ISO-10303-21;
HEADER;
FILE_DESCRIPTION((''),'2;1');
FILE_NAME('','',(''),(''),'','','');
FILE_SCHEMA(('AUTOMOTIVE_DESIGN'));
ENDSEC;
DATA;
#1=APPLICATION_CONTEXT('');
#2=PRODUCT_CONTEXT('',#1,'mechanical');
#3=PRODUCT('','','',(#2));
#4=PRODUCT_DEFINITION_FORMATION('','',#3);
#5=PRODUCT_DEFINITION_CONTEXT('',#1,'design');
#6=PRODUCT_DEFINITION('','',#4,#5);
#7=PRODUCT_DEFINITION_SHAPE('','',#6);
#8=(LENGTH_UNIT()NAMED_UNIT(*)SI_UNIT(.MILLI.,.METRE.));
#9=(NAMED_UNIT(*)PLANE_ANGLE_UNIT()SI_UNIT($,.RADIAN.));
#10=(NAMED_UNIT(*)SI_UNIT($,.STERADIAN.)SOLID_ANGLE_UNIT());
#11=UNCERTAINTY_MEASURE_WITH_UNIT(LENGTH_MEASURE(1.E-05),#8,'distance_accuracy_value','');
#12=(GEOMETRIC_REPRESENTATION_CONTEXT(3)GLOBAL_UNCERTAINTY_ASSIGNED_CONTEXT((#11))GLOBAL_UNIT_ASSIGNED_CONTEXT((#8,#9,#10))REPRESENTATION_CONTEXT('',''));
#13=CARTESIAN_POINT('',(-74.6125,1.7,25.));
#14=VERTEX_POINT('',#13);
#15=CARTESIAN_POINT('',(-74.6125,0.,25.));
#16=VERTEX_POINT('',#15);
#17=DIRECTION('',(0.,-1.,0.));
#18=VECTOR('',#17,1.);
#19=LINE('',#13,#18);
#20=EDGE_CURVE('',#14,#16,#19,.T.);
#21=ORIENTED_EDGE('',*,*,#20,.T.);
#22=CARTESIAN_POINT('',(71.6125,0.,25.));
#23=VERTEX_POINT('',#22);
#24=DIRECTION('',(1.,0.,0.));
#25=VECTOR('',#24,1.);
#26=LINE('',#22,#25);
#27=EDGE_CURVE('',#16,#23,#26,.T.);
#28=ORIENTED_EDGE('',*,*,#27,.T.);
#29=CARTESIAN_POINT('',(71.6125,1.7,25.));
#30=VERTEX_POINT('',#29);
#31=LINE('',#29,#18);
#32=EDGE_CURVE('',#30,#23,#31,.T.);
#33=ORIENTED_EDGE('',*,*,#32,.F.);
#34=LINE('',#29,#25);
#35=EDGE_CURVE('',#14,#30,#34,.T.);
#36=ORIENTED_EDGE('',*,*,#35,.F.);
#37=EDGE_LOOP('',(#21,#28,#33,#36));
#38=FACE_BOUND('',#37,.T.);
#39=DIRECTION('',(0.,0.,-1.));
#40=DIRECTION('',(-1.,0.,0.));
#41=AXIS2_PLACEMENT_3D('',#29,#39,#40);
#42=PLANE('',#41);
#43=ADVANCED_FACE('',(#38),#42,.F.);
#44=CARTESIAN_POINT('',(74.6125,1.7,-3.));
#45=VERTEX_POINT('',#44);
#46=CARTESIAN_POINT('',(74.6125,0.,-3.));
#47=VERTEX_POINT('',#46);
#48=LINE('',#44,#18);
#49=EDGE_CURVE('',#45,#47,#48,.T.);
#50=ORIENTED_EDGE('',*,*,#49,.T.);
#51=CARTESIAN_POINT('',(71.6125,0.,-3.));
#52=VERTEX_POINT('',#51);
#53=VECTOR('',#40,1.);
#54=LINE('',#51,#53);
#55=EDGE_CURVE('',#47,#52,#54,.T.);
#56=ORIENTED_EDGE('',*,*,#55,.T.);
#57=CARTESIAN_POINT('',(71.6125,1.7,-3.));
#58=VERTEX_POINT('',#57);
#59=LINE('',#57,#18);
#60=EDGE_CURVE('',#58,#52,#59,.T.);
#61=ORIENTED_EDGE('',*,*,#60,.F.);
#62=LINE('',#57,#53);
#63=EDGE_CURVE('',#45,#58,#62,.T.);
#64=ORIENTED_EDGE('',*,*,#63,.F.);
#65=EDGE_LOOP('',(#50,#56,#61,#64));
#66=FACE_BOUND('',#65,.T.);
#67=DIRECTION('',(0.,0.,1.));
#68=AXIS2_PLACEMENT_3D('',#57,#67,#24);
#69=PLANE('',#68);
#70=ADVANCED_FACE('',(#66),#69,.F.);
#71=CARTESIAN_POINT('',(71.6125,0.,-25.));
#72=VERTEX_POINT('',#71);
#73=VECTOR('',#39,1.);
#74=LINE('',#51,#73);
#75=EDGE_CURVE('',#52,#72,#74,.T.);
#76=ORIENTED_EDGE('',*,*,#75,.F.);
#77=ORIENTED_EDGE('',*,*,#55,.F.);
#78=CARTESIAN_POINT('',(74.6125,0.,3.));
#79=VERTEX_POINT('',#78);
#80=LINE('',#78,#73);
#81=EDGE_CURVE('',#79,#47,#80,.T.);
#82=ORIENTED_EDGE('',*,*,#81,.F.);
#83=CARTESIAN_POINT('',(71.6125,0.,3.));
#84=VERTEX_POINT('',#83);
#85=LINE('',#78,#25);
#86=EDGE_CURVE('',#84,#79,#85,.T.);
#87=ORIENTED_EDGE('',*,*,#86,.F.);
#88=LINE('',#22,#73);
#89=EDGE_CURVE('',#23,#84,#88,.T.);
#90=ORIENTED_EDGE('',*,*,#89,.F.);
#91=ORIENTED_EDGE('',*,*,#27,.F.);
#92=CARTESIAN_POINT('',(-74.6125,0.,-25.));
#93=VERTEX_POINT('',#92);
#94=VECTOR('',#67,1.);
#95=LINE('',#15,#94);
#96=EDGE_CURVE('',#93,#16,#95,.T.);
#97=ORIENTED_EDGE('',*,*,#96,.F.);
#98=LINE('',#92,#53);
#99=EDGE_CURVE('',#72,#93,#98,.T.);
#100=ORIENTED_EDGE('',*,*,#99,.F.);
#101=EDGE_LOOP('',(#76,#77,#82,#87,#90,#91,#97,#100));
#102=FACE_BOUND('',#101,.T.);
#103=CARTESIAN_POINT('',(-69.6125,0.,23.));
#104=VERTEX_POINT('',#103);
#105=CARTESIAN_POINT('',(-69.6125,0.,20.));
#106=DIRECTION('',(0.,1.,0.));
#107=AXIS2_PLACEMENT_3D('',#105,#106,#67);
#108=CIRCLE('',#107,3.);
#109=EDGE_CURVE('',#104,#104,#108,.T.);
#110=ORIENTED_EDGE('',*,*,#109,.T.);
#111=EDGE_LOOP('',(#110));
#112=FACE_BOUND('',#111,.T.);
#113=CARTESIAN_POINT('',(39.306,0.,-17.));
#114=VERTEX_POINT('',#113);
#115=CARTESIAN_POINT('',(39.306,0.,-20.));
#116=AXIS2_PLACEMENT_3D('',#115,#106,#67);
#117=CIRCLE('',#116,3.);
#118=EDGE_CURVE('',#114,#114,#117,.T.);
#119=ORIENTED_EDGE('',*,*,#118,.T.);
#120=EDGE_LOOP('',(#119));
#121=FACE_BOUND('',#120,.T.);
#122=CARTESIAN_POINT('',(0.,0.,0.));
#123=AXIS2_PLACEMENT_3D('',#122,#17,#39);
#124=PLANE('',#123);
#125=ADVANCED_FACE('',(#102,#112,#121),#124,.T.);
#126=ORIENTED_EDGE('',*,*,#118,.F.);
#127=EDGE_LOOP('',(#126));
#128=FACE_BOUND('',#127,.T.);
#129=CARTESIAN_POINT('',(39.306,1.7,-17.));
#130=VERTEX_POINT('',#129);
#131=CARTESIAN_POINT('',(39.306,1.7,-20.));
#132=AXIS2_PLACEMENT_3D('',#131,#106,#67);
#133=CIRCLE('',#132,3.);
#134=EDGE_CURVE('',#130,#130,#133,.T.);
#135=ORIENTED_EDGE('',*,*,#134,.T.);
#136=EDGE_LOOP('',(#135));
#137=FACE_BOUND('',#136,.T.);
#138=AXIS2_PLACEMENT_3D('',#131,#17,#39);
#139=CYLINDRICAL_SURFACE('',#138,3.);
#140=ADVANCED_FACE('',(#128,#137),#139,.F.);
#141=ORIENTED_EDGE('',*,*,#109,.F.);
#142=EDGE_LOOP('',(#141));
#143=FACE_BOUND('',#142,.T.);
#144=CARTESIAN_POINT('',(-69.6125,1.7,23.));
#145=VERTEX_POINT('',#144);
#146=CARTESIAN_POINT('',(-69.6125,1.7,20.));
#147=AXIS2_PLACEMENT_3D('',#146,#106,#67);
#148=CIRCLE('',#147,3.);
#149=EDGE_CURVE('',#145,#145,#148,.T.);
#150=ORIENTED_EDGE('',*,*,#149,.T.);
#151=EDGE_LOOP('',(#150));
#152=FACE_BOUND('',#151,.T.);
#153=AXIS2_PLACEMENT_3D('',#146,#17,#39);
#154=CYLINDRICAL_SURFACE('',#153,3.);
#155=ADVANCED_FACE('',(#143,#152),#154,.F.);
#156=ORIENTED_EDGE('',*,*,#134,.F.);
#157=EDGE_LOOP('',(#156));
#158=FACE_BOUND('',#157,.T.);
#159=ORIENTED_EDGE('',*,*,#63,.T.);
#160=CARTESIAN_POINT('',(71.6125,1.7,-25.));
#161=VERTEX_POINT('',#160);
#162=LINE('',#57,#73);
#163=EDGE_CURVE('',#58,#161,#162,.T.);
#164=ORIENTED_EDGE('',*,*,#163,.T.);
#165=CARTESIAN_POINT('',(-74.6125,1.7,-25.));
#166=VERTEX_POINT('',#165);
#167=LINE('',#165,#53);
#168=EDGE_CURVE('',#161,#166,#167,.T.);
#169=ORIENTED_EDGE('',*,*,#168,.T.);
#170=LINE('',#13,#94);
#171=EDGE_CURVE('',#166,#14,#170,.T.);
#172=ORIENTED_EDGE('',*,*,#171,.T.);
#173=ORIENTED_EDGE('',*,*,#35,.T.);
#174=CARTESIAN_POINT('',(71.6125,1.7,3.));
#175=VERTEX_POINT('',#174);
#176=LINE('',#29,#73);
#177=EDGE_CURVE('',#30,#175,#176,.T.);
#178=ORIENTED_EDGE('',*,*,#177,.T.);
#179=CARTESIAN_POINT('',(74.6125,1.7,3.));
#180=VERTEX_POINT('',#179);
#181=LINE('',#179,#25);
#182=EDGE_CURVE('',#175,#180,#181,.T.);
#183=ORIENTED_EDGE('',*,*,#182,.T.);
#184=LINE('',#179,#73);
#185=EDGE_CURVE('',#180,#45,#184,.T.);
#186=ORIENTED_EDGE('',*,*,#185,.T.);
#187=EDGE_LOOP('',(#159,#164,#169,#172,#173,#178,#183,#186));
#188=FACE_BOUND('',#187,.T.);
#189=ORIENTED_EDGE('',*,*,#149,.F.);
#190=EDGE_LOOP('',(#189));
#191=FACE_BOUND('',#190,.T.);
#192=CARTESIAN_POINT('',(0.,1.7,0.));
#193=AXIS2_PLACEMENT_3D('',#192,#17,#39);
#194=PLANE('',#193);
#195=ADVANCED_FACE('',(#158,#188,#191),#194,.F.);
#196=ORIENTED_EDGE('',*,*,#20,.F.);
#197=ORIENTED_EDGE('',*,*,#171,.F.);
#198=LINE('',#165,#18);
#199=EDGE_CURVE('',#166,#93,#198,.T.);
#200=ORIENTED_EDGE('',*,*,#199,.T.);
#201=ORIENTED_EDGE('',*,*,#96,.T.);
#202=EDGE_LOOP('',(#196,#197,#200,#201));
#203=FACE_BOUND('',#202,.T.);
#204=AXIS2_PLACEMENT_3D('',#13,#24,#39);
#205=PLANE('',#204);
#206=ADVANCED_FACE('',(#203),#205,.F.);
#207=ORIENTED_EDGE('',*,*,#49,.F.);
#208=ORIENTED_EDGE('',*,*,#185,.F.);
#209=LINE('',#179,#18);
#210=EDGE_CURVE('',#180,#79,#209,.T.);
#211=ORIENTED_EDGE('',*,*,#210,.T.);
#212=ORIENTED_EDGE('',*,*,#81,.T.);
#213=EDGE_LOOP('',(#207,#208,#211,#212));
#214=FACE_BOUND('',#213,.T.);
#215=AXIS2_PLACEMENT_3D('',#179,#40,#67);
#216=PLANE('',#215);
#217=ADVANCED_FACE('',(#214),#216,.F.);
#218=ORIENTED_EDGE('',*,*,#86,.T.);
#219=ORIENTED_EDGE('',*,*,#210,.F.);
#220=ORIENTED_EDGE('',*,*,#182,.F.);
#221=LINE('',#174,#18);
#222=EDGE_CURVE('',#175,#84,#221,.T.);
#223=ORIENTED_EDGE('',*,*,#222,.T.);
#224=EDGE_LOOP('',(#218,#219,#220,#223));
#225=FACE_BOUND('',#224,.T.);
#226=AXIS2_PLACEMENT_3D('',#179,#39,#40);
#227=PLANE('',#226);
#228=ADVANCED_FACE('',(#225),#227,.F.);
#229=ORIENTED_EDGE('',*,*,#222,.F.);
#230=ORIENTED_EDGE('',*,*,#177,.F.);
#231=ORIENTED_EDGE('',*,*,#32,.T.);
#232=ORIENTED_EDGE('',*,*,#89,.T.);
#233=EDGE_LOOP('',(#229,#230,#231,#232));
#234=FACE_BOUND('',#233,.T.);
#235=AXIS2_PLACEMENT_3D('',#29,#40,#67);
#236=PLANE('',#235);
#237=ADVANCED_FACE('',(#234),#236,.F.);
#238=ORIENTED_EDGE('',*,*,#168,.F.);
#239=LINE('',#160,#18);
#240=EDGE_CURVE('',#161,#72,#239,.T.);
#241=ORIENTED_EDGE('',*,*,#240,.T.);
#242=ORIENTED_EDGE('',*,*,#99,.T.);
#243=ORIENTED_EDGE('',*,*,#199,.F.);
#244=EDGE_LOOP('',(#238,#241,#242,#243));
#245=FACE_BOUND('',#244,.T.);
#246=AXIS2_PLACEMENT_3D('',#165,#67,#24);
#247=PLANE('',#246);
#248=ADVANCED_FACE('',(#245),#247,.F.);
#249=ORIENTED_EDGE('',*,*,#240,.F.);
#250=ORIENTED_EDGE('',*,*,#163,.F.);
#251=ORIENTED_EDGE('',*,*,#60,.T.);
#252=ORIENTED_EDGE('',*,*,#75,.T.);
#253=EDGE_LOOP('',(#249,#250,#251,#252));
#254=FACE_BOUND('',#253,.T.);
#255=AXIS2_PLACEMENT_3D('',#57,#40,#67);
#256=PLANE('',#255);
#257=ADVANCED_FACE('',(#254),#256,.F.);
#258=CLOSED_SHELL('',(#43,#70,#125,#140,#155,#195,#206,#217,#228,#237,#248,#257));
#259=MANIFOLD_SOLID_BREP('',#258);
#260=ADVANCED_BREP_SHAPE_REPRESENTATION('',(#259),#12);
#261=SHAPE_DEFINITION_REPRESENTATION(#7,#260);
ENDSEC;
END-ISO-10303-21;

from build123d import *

# Parameters (mm, degrees)
CROQUIS1_R              = 3
SALIENTE_EXTRUIR1_DEPTH = 1.7


with BuildPart() as part:
    # Croquis1 → Saliente-Extruir1 (new body)
    with BuildSketch(Plane(origin=(0, 0, 0), x_dir=(1, 0, 0), z_dir=(0, 1, 0))):
        Polygon((74.6125, -3), (71.6125, -3), (71.6125, -25), (-74.6125, -25), (-74.6125, 25), (71.6125, 25), (71.6125, 3), (74.6125, 3), align=None)
        with Locations(Location((39.306, 20, 0), (0, 0, 270))):
            Circle(CROQUIS1_R, mode=Mode.SUBTRACT)
        with Locations(Location((-69.6125, -20, 0), (0, 0, 270))):
            Circle(CROQUIS1_R, mode=Mode.SUBTRACT)
    extrude(amount=SALIENTE_EXTRUIR1_DEPTH)


solid = part.part
